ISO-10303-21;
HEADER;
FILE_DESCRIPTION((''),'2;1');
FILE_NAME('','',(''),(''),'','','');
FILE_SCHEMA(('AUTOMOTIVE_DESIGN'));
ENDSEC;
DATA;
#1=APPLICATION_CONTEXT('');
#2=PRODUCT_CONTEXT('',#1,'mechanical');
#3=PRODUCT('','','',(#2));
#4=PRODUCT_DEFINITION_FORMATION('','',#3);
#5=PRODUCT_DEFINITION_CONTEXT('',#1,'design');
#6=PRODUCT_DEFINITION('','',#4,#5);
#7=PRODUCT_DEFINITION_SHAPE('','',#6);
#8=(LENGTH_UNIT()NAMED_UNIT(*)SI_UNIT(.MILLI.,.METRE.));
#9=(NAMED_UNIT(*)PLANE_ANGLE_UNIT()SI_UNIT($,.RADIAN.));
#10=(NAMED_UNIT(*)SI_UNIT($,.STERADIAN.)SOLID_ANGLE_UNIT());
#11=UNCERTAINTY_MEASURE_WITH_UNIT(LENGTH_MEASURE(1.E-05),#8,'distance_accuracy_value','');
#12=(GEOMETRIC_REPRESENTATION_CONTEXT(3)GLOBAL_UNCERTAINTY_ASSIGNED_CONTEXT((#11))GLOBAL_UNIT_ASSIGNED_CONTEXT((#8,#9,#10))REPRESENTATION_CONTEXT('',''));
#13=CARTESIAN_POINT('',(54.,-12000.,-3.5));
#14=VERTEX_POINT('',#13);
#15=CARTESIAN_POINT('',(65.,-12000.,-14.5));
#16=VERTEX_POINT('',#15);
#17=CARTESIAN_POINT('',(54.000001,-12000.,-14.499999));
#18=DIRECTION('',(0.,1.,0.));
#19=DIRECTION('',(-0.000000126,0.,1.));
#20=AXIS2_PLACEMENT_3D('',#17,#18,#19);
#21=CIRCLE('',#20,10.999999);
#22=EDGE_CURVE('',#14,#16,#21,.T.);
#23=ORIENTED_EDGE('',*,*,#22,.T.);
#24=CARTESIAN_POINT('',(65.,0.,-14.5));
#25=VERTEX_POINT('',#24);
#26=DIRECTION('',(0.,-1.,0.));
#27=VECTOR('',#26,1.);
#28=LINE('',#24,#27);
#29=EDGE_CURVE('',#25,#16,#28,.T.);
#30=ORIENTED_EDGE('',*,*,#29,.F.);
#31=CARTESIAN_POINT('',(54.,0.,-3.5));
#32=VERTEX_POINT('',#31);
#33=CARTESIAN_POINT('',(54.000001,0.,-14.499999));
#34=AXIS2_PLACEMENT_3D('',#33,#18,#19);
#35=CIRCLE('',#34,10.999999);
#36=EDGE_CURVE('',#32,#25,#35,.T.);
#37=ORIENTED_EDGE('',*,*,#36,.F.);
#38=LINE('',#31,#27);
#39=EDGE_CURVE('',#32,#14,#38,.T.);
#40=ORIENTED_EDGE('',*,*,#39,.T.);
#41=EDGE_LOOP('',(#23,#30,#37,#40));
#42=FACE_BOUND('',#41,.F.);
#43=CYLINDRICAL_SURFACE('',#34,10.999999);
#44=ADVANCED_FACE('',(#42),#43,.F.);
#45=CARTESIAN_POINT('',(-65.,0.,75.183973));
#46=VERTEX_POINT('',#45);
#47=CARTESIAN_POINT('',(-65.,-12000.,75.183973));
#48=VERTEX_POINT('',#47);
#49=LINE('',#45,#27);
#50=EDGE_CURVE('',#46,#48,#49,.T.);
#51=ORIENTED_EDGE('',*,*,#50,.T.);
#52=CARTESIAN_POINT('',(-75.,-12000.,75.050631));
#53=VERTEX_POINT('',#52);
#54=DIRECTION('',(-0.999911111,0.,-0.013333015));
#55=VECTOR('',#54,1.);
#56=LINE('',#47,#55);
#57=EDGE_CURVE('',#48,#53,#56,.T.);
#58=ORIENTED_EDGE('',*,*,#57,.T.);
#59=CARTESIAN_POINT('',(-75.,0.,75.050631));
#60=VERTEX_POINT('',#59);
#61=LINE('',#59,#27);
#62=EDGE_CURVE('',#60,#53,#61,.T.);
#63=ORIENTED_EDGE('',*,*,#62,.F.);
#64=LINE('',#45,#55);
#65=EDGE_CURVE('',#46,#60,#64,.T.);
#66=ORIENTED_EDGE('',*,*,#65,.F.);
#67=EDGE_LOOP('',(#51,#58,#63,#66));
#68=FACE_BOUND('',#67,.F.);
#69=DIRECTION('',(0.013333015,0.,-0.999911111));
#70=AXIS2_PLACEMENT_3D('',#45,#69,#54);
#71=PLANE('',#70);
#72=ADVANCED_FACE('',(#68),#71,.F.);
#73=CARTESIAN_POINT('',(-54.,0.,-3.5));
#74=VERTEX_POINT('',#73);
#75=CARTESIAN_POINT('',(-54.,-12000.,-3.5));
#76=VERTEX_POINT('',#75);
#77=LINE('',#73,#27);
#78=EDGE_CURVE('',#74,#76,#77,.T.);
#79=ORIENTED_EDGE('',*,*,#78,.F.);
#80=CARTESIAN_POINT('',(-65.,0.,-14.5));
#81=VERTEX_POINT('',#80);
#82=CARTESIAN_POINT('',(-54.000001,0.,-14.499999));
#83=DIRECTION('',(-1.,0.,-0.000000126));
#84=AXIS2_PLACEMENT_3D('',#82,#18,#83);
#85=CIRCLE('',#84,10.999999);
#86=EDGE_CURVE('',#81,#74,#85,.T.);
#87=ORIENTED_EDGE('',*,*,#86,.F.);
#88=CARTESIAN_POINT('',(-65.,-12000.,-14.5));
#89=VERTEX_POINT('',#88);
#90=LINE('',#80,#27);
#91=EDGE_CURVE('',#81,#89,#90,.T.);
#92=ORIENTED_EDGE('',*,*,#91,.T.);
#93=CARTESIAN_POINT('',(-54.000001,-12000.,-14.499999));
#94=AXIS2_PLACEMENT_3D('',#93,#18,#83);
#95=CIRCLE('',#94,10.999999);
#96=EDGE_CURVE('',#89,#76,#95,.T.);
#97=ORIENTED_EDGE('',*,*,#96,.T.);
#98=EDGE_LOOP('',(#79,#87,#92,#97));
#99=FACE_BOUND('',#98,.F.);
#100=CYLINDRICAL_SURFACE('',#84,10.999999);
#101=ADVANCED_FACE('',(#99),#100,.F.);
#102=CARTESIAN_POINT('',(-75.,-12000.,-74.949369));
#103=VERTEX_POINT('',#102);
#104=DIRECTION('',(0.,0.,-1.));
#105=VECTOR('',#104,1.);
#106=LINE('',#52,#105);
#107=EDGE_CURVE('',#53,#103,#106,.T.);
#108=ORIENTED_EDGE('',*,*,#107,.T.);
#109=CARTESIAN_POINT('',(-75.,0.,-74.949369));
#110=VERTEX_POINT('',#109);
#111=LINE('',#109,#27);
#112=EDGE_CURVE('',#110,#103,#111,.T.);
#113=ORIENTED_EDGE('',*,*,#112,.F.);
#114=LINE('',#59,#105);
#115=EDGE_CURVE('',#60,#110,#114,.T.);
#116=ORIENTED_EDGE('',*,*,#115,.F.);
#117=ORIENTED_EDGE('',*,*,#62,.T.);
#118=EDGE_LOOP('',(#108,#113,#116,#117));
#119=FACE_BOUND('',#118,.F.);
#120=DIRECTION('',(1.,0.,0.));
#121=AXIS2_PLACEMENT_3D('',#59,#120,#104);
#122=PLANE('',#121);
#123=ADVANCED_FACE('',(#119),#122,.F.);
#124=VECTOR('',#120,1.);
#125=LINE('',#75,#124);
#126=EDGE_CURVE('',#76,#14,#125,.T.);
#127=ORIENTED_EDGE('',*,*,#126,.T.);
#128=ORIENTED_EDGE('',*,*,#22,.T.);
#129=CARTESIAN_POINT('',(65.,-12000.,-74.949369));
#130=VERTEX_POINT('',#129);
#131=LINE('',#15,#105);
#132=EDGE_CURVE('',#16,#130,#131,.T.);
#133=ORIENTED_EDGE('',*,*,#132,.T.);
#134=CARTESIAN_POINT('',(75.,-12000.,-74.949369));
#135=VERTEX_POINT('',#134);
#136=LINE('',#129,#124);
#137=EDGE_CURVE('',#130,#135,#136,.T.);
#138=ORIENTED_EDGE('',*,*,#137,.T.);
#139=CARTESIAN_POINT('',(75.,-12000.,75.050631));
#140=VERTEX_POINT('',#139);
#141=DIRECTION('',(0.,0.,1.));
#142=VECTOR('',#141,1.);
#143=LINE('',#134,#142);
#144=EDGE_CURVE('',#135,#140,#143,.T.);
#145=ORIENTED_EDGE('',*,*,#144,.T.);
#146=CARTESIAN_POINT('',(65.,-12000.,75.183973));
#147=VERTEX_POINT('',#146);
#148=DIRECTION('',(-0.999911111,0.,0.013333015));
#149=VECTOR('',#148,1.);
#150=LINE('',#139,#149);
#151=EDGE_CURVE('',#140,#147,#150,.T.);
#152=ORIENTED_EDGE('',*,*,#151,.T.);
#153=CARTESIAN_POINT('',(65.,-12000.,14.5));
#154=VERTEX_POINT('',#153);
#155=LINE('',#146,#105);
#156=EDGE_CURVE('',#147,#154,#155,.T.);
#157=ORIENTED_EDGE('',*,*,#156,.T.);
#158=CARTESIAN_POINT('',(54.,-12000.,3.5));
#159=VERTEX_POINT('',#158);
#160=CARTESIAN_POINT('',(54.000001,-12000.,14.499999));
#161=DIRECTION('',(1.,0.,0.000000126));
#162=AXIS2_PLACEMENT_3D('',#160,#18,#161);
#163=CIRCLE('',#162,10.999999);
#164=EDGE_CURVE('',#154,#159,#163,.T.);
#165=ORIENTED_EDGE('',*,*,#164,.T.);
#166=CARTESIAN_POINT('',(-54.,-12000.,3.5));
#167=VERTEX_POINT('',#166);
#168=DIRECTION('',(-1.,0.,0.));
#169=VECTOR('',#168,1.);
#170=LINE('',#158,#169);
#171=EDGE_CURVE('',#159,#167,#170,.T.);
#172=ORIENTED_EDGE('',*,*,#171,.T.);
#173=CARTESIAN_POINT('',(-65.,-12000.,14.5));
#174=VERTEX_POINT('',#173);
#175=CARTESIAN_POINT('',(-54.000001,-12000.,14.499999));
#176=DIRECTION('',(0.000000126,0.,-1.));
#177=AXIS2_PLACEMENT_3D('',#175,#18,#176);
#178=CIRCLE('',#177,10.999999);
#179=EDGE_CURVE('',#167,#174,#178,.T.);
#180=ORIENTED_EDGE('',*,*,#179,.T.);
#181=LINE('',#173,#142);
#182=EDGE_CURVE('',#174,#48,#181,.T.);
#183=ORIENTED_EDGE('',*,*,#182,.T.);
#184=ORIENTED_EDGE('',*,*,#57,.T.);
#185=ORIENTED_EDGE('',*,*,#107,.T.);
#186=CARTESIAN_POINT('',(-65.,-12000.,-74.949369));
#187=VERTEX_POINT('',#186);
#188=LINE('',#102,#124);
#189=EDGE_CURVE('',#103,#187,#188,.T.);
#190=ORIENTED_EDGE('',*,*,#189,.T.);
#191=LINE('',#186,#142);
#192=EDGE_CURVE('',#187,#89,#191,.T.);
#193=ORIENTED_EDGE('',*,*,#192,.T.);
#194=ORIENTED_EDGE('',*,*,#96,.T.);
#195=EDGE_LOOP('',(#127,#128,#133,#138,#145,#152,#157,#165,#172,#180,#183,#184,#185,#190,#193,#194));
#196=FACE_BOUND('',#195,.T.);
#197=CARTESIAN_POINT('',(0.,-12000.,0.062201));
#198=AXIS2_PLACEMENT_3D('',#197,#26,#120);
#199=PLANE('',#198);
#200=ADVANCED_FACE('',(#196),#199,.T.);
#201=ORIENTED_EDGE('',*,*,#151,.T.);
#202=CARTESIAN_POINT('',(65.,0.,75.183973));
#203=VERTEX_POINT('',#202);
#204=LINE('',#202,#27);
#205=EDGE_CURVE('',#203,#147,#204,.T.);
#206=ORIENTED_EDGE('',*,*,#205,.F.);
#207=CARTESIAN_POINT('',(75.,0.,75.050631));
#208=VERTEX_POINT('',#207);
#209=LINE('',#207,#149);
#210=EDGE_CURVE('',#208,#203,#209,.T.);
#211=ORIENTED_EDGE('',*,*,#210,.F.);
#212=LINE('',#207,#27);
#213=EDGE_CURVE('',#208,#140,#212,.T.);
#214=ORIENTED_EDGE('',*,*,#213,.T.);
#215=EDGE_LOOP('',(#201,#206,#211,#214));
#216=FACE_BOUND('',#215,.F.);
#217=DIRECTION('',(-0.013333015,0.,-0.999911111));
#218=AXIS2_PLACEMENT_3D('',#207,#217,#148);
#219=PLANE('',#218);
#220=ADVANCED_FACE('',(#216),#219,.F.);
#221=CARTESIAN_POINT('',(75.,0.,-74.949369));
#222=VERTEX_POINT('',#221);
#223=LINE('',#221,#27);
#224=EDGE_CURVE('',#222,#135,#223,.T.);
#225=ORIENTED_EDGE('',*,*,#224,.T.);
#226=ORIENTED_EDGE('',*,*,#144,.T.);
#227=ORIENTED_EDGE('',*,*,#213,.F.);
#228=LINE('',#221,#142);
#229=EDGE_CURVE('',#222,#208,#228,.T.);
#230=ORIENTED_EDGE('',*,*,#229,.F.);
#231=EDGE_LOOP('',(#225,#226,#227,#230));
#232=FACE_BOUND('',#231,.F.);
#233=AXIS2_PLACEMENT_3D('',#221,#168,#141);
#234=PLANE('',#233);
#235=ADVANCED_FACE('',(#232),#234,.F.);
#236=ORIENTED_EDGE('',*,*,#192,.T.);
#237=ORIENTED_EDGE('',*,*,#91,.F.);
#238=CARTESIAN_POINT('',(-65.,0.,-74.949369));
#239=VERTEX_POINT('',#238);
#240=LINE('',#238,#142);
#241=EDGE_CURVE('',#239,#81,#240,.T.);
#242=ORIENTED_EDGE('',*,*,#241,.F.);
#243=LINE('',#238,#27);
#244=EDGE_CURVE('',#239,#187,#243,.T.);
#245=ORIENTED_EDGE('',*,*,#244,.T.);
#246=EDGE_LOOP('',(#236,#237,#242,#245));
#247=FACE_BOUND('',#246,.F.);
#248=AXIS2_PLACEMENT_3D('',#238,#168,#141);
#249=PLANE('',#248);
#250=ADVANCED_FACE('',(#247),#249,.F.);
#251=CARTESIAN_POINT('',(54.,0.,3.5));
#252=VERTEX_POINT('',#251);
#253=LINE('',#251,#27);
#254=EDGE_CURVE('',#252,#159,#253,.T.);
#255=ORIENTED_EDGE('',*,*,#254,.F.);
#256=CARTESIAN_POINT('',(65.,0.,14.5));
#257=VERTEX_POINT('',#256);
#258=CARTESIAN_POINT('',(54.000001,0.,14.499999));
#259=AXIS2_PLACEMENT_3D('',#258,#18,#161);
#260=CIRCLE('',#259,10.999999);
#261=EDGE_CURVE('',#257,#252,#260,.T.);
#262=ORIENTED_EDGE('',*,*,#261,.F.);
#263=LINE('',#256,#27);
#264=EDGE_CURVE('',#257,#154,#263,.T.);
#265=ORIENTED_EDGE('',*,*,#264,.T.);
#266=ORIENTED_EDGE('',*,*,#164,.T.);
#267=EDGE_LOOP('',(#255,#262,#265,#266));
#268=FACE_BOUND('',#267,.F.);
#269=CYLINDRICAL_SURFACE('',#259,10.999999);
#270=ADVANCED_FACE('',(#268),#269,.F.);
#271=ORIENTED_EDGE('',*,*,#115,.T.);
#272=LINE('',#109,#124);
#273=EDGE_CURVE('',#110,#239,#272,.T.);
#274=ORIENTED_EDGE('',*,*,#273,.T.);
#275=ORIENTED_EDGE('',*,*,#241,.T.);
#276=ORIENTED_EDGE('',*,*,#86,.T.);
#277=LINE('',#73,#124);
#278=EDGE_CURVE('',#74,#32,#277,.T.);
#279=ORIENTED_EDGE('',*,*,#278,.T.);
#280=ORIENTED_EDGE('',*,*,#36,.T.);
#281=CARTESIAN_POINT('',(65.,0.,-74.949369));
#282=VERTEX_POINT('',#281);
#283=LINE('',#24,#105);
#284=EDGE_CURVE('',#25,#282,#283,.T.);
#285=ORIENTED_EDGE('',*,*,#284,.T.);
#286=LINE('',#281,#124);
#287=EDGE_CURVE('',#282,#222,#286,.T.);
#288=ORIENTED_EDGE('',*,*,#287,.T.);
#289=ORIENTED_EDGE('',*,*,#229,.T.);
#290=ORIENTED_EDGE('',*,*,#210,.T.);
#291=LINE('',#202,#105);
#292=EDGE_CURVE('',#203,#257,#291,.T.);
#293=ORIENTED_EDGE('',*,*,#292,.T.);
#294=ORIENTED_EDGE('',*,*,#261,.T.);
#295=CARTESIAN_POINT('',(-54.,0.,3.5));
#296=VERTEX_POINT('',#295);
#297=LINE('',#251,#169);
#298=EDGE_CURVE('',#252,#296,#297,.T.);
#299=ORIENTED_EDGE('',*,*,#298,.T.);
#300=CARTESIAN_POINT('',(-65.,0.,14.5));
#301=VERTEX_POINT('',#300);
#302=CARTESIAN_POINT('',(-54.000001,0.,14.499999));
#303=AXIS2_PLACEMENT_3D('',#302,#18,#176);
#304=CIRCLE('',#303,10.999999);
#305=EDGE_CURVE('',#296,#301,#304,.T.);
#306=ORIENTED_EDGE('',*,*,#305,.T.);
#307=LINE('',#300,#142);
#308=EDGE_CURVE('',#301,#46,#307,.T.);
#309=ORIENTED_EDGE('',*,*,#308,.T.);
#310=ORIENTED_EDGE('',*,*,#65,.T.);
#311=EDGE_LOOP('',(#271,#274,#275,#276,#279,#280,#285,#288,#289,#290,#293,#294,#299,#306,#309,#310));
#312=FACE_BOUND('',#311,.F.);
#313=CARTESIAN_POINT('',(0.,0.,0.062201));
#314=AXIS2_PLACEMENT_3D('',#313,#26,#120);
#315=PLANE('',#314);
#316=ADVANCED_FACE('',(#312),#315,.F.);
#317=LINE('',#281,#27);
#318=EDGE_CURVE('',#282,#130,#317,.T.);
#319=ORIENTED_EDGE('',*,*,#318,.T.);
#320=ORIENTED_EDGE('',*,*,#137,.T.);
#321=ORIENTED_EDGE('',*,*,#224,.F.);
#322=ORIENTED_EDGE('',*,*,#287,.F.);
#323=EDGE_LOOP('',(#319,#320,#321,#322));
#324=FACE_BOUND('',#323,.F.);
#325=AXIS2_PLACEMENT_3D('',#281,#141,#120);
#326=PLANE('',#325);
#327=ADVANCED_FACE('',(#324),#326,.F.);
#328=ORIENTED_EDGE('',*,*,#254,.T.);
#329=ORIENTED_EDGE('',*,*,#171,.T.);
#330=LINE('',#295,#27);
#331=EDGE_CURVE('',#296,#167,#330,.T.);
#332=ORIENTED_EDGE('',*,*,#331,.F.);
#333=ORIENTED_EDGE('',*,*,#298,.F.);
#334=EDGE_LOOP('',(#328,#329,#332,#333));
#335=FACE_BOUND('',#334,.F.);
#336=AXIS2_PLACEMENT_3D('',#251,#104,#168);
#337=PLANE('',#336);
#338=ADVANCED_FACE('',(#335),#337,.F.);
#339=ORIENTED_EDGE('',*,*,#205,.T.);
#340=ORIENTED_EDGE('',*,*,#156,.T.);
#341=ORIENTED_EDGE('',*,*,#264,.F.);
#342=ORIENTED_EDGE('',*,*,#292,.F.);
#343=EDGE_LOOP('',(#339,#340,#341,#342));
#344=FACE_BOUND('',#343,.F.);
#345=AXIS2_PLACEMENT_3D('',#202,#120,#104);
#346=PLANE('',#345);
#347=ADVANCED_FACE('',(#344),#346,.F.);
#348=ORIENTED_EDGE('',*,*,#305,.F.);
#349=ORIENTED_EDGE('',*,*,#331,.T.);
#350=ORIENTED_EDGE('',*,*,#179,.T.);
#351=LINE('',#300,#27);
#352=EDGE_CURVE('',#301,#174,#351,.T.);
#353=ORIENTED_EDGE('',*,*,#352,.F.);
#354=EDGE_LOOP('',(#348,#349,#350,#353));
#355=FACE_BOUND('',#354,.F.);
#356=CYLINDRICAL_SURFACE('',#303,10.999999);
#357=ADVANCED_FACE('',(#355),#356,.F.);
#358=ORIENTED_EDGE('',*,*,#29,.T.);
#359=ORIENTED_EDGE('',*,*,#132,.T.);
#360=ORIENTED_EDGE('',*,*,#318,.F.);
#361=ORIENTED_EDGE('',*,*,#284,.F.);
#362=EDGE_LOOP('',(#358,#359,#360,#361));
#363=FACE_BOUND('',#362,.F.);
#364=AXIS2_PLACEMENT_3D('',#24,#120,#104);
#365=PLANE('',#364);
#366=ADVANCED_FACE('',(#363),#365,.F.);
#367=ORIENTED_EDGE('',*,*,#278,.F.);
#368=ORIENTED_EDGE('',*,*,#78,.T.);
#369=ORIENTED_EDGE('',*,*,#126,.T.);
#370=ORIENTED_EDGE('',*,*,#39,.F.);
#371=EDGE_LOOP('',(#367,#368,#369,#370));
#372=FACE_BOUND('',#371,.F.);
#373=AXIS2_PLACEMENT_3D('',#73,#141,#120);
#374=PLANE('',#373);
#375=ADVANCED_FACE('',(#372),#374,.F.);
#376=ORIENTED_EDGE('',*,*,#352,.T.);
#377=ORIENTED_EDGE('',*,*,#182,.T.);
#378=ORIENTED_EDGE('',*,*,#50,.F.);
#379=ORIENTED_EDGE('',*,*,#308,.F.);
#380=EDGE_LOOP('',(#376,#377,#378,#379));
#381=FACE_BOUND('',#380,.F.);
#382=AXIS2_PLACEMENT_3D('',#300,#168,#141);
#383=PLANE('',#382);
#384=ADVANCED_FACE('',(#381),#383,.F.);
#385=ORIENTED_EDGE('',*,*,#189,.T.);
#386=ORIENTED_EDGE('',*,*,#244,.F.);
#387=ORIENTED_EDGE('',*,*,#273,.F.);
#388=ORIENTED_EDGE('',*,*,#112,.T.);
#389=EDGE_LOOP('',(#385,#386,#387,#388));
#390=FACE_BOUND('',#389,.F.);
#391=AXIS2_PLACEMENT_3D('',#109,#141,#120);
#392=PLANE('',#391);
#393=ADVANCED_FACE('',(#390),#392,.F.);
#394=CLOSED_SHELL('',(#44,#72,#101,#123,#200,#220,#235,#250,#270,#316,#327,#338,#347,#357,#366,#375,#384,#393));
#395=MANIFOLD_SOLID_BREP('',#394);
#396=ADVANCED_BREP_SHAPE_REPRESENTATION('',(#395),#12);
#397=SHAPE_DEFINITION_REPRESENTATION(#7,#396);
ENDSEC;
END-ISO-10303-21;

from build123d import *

# Parameters (mm, degrees)
F1_DEPTH = 12000


with BuildPart() as f1:
    # F0 (on Front) → F1 (new body)
    with BuildSketch(Plane.XZ):
        with BuildLine():
            Line((-75, 75.050631), (-75, -74.949369))
            Line((-75, -74.949369), (-65, -74.949369))
            Line((-65, -74.949369), (-65, -14.5))
            ThreePointArc((-65, -14.5), (-61.778175, -6.721825), (-54, -3.5))
            Line((-54, -3.5), (54, -3.5))
            ThreePointArc((54, -3.5), (61.778175, -6.721825), (65, -14.5))
            Line((65, -14.5), (65, -74.949369))
            Line((65, -74.949369), (75, -74.949369))
            Line((75, -74.949369), (75, 75.050631))
            Line((75, 75.050631), (65, 75.183973))
            Line((65, 75.183973), (65, 14.5))
            ThreePointArc((65, 14.5), (61.778175, 6.721825), (54, 3.5))
            Line((54, 3.5), (-54, 3.5))
            ThreePointArc((-54, 3.5), (-61.778175, 6.721825), (-65, 14.5))
            Line((-65, 14.5), (-65, 75.183973))
            Line((-65, 75.183973), (-75, 75.050631))
        make_face()
    extrude(amount=F1_DEPTH)


solid = f1.part
